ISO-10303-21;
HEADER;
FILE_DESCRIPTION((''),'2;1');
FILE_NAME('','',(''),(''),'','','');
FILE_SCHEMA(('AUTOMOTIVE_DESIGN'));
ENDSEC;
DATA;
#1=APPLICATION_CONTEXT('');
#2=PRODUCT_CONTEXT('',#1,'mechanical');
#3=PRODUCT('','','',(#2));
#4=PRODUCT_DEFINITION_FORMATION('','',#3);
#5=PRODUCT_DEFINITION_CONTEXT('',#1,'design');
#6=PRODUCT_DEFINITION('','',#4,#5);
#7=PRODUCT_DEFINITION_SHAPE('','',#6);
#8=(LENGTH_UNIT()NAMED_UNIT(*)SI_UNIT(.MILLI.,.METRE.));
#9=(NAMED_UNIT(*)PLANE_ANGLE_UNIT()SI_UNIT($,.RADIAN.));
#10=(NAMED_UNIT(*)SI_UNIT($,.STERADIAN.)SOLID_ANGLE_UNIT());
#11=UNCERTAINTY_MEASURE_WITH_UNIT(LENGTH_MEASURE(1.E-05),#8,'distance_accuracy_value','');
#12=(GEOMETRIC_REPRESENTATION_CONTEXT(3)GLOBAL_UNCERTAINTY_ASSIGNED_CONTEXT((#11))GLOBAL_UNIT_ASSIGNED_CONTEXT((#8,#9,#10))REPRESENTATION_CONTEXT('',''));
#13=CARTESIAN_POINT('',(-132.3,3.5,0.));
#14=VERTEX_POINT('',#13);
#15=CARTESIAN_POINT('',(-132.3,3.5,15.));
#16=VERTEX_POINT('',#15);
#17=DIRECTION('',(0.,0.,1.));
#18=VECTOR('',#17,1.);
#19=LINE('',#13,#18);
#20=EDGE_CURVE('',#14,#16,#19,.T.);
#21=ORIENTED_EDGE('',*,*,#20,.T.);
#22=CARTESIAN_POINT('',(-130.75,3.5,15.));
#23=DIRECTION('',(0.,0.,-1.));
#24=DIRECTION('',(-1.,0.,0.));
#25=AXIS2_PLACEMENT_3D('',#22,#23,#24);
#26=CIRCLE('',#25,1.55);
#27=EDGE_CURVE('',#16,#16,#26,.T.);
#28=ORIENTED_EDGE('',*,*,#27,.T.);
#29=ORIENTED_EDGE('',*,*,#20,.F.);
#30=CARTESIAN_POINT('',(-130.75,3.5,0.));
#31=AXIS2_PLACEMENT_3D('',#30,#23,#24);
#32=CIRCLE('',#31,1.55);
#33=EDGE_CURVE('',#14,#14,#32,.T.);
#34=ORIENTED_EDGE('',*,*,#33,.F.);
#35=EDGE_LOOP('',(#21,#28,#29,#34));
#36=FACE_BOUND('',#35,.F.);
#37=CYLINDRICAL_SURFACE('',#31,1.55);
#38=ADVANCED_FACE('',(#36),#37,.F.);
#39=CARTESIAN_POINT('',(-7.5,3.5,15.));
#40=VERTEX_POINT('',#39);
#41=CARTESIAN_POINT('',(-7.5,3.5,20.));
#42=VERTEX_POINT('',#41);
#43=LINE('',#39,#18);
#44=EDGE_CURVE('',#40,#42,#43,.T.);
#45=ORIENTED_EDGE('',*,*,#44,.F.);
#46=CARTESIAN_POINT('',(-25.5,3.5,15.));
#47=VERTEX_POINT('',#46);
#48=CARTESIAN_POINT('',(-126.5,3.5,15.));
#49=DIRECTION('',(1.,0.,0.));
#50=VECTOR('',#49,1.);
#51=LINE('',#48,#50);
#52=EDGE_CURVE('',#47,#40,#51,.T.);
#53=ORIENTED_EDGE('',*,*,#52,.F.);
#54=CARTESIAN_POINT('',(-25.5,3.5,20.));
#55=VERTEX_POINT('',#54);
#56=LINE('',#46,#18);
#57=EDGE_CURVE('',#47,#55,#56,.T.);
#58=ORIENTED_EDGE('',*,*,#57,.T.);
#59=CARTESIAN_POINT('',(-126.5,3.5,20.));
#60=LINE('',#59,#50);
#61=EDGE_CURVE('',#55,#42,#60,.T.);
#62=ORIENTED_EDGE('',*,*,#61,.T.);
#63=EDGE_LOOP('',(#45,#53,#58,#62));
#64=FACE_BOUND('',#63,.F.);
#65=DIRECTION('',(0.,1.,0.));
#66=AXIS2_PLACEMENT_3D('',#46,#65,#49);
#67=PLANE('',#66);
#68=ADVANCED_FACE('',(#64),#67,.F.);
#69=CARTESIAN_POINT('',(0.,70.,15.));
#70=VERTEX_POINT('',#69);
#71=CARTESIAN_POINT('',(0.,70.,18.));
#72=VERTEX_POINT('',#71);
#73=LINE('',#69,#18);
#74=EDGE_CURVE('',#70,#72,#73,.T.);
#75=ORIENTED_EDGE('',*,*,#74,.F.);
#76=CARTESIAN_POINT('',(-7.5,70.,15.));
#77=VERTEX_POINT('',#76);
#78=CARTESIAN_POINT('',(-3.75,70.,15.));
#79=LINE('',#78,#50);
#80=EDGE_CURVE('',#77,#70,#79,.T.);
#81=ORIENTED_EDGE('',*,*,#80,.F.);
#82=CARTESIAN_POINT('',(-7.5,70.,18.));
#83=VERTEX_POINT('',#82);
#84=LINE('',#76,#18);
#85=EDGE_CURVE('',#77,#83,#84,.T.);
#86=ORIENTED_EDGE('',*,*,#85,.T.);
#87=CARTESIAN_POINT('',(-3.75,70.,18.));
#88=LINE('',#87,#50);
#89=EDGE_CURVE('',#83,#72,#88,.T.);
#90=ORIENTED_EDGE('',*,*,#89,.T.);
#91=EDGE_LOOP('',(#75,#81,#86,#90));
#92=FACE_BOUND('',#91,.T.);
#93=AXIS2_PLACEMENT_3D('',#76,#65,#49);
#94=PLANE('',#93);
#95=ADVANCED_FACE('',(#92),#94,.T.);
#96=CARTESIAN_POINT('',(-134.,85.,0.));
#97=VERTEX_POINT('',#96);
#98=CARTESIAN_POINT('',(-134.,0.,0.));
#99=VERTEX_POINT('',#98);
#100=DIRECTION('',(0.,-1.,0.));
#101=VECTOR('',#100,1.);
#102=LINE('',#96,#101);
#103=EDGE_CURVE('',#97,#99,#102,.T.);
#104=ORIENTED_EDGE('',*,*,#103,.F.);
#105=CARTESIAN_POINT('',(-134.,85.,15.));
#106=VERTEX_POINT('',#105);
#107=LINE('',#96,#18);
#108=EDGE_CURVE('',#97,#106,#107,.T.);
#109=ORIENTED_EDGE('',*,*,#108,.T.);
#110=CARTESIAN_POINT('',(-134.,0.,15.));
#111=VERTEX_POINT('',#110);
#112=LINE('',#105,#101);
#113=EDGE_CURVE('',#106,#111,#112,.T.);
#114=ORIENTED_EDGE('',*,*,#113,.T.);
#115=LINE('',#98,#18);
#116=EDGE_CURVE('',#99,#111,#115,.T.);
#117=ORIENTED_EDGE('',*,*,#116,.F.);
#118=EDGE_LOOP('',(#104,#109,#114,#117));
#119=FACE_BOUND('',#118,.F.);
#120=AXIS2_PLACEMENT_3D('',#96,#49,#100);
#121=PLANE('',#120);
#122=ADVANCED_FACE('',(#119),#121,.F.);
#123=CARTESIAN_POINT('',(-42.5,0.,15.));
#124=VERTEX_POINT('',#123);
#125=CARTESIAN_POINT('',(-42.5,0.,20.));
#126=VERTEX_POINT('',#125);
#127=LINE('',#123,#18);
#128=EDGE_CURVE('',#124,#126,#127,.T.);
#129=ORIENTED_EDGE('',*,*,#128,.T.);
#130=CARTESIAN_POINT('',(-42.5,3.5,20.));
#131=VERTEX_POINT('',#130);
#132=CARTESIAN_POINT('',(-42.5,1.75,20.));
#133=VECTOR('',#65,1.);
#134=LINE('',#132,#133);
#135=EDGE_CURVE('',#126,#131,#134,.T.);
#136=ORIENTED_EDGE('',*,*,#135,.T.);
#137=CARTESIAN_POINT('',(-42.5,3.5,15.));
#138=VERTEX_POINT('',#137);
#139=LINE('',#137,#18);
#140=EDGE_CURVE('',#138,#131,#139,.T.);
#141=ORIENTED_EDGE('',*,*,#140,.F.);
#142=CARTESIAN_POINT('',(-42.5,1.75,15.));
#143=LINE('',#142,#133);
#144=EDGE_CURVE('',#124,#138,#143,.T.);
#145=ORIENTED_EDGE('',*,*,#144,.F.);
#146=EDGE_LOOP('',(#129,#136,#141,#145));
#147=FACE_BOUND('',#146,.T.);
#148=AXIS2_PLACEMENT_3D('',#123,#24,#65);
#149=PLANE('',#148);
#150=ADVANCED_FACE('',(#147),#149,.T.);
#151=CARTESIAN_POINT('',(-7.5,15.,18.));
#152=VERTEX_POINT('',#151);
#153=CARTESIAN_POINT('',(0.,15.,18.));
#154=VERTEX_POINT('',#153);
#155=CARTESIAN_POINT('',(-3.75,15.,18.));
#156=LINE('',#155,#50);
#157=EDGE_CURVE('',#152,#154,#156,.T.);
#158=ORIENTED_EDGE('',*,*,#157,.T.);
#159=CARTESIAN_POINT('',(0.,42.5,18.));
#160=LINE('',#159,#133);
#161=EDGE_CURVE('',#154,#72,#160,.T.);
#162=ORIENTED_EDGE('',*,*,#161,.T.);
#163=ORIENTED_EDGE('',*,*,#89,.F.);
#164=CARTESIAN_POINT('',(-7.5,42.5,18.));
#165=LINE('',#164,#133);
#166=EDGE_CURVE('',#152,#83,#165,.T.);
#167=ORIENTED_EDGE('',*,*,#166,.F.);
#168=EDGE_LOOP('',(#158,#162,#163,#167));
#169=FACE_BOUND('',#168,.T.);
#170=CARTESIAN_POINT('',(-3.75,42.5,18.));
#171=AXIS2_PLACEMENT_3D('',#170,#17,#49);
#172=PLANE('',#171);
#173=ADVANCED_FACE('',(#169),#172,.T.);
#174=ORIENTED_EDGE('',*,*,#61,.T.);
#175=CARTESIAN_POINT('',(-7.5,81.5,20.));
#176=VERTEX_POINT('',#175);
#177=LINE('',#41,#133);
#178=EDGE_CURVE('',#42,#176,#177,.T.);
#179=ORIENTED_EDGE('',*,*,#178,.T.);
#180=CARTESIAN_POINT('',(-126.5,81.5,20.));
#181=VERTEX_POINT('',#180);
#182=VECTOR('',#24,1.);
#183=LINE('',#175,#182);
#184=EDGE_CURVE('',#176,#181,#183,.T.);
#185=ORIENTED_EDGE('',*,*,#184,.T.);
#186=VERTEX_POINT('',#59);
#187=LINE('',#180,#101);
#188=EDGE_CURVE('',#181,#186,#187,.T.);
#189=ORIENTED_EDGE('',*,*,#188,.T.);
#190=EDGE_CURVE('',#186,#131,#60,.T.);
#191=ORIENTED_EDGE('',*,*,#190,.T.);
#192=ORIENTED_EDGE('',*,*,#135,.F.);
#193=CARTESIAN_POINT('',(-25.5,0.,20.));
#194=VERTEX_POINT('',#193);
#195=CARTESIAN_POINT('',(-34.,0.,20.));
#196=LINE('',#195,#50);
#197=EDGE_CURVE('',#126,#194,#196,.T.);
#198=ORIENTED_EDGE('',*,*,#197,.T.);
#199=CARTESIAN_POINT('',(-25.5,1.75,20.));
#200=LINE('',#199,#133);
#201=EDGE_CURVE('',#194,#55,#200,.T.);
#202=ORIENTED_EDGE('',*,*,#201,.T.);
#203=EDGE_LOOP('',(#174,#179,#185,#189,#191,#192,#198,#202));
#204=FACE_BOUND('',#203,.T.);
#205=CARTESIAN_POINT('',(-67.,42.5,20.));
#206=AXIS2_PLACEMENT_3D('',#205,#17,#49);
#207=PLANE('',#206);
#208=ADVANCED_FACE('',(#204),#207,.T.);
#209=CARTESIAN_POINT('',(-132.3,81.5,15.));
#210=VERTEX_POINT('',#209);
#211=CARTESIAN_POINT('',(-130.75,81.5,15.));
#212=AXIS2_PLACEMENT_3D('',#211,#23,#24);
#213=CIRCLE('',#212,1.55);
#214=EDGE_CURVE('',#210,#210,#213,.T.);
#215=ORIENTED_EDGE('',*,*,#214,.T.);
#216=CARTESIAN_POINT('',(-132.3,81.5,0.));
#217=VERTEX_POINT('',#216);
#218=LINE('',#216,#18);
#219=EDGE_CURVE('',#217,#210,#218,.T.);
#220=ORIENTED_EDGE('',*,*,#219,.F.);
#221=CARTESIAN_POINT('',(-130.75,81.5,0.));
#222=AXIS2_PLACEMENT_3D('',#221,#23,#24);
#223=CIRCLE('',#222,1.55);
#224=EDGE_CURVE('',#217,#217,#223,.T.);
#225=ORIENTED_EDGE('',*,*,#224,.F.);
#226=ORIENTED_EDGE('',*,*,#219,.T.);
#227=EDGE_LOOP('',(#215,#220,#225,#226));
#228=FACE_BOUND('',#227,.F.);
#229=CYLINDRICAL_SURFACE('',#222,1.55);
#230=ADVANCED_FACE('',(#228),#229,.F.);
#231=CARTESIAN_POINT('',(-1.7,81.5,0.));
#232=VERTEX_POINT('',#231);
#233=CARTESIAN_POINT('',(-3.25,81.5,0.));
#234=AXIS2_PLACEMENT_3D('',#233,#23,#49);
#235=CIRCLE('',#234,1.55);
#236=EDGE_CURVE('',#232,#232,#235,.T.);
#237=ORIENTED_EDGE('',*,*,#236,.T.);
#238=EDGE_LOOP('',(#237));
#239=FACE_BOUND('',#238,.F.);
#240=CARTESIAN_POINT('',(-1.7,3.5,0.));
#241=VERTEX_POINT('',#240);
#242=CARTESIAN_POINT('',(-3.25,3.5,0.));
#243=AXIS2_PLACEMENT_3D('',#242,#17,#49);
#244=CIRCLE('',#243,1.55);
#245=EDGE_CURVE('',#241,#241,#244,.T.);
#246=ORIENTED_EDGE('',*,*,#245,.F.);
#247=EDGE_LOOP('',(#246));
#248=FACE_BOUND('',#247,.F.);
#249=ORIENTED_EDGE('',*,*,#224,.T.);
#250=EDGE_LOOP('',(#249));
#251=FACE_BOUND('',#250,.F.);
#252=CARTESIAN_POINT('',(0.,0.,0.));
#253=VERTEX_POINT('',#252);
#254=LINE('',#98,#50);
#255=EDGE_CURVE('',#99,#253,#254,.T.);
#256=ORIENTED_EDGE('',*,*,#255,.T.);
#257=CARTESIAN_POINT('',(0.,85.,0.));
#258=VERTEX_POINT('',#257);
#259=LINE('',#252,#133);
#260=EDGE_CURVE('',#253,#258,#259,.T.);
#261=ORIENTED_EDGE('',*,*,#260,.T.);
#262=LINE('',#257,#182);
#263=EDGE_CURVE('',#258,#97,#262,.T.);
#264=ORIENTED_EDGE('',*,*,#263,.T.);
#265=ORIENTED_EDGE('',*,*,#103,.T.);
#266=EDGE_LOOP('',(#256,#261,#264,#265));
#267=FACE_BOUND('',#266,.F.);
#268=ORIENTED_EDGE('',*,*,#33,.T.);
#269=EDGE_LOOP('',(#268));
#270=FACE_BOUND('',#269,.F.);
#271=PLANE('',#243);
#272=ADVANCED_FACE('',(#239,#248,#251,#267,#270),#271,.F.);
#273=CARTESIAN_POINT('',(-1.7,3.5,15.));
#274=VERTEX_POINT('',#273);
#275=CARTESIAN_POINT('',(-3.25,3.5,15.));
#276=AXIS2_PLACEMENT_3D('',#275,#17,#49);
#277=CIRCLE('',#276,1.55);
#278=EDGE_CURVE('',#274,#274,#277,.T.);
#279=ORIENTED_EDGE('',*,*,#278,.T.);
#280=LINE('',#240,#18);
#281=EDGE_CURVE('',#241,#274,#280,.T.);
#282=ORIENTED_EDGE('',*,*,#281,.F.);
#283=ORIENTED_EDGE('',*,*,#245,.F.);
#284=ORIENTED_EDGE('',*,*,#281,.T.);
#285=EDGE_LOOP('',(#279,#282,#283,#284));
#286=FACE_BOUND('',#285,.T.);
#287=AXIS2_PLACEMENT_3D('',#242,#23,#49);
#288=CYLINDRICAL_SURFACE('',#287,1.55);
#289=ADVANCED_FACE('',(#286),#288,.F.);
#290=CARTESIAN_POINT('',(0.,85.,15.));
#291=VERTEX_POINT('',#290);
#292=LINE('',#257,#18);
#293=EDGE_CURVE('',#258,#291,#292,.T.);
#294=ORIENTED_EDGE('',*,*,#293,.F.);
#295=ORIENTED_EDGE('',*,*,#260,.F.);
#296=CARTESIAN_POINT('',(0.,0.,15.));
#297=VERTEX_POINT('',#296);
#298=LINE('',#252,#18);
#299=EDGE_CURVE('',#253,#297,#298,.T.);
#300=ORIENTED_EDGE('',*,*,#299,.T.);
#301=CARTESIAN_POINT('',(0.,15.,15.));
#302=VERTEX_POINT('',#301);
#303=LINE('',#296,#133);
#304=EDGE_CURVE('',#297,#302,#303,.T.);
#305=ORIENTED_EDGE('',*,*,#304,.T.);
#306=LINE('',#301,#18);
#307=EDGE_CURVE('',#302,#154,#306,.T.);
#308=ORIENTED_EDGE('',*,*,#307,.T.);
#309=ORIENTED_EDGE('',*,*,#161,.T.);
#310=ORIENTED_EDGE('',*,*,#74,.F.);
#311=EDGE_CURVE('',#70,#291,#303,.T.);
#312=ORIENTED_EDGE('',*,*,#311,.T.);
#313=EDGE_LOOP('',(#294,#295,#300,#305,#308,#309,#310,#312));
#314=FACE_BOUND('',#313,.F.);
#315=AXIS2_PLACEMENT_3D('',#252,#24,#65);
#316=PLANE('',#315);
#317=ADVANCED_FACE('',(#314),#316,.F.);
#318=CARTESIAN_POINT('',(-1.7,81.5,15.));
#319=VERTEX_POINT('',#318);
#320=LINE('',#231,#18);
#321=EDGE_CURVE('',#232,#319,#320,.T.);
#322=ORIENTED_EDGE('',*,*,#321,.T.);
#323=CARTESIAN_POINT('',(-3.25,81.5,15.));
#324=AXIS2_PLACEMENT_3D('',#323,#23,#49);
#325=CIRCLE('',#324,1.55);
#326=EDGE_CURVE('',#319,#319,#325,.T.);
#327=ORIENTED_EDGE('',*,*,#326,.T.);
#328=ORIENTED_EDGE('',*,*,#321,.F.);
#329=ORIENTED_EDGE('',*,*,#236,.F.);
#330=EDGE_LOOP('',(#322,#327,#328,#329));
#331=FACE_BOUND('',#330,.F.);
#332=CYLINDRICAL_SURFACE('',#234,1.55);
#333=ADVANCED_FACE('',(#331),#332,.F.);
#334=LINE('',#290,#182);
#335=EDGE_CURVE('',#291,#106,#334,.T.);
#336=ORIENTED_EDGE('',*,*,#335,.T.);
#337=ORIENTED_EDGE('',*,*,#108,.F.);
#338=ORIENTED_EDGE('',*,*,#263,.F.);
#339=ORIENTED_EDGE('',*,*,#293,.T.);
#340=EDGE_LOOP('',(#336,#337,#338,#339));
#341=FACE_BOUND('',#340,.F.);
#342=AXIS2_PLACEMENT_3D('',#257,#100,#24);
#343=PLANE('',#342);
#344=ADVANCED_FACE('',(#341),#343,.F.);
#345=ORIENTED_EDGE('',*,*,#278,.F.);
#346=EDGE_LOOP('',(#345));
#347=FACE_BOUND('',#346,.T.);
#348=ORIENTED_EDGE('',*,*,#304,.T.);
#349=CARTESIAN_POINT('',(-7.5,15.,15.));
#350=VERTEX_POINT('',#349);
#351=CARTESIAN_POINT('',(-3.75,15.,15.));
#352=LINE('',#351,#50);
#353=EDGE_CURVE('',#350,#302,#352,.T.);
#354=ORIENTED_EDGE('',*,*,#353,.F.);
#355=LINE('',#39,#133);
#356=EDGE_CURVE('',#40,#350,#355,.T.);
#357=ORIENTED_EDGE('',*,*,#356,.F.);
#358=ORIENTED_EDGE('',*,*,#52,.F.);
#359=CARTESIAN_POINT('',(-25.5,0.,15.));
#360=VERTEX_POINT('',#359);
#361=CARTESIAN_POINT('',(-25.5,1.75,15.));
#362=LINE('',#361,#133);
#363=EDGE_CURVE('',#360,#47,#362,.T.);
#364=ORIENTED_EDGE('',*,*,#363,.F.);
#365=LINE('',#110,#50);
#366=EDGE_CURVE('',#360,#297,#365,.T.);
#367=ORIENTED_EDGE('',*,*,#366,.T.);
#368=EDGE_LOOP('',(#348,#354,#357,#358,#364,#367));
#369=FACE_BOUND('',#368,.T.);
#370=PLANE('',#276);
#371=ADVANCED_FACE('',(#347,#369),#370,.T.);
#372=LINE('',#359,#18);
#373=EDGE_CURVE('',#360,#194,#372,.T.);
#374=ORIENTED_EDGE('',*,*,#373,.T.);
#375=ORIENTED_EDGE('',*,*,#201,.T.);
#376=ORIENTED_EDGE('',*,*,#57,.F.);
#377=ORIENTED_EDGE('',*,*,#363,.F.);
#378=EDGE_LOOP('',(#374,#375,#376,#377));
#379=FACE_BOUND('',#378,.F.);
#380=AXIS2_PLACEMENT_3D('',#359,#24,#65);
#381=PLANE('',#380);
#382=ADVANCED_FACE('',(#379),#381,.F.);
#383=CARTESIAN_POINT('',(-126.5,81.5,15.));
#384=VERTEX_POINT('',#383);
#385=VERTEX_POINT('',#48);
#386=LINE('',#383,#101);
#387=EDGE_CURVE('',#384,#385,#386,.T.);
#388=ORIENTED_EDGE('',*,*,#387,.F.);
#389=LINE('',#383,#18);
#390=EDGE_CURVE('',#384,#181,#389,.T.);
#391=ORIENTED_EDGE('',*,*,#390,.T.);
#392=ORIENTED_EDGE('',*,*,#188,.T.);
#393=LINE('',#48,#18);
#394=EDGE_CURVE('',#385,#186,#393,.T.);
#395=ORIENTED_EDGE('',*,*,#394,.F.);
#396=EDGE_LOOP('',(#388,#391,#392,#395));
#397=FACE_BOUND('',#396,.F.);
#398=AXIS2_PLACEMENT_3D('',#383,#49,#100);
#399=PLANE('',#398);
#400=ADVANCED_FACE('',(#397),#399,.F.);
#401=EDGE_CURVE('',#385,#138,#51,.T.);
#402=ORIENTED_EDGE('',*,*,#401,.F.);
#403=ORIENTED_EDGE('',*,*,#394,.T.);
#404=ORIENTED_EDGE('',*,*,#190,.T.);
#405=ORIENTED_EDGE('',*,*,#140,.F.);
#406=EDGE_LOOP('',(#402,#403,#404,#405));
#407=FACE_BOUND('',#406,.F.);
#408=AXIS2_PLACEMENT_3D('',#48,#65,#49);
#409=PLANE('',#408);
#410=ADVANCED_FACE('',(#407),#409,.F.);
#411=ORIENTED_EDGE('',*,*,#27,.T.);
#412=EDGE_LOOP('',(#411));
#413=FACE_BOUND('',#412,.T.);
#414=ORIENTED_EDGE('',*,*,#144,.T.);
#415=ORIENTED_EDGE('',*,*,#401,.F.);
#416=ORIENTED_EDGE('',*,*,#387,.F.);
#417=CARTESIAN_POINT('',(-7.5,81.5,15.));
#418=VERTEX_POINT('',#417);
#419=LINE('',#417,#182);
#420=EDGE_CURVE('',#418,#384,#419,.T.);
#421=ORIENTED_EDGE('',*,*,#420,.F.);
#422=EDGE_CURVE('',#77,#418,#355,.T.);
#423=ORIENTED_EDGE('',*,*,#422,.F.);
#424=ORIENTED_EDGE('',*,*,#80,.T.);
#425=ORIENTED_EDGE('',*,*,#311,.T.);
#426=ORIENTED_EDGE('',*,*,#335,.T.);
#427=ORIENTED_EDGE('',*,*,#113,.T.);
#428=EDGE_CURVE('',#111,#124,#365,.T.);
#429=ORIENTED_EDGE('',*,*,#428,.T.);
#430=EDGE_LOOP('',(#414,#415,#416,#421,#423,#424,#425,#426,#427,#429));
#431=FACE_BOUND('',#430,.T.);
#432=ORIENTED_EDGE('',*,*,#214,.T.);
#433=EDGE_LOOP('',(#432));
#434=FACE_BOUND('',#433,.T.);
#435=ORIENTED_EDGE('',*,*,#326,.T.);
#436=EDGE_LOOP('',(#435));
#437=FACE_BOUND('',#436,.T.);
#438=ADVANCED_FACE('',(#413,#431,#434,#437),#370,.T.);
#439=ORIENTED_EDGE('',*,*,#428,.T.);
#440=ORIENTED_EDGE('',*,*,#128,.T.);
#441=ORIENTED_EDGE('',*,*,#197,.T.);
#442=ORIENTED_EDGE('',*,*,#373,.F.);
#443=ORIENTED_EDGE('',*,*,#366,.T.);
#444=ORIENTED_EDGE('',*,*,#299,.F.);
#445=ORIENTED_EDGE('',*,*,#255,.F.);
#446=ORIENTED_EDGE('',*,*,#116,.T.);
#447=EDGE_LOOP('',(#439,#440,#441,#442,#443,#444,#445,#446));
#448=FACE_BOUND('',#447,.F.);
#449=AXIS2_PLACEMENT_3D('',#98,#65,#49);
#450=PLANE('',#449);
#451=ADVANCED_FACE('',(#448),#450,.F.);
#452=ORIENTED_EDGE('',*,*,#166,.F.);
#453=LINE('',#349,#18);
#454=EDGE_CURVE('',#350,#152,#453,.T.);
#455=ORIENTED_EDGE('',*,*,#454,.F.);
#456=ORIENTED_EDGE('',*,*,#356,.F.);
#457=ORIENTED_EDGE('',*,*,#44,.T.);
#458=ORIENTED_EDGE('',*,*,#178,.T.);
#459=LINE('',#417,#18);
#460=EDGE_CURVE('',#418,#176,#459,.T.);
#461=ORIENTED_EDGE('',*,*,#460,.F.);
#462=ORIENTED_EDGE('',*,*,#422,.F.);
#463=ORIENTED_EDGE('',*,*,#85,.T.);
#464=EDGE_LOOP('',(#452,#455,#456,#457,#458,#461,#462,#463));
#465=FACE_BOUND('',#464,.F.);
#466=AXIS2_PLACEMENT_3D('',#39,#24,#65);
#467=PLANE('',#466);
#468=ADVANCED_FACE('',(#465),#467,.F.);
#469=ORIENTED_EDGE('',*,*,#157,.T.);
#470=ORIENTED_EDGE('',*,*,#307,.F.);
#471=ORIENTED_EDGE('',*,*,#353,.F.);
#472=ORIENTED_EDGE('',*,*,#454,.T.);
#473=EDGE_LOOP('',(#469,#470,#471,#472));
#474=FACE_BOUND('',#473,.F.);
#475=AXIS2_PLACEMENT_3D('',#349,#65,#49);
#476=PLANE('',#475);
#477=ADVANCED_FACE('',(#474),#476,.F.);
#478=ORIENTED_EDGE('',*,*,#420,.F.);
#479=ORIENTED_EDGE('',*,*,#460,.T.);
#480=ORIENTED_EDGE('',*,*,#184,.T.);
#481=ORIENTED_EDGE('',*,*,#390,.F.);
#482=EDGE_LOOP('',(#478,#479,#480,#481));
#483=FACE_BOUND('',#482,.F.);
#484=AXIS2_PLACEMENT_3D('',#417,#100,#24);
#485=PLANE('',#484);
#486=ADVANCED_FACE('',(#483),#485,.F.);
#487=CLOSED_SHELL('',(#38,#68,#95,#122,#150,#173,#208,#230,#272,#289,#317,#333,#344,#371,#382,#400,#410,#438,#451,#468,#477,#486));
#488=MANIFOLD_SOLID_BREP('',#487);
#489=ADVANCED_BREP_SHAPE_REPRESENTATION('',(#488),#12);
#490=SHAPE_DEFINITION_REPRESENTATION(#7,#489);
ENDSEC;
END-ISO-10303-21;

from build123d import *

# Parameters (mm, degrees)
F0_R     = 1.55
F1_DEPTH = 15
F2_W     = 17
F2_H     = 3.5
F3_DEPTH = 5
F4_W     = 7.5
F4_H     = 55
F5_DEPTH = 3


with BuildPart() as f1:
    # F0 (on Top) → F1 (new body)
    with BuildSketch(Plane.XY):
        with Locations((-3.25, 3.5)):
            Circle(F0_R)
        with BuildLine():
            ThreePointArc((-129.2, 81.5), (-130.75, 83.05), (-132.3, 81.5))
            ThreePointArc((-132.3, 81.5), (-130.75, 79.95), (-129.2, 81.5))
        make_face()
        with BuildLine():
            ThreePointArc((-129.2, 3.5), (-130.75, 5.05), (-132.3, 3.5))
            ThreePointArc((-132.3, 3.5), (-130.75, 1.95), (-129.2, 3.5))
        make_face()
        Polygon((-134, 0), (0, 0), (0, 3.5), (0, 81.5), (0, 85), (-134, 85), (-134, 81.5), (-134, 3.5), align=None)
        with BuildLine():
            ThreePointArc((-129.2, 3.5), (-130.75, 1.95), (-132.3, 3.5))
            ThreePointArc((-132.3, 3.5), (-130.75, 5.05), (-129.2, 3.5))
        make_face(mode=Mode.SUBTRACT)
        with Locations((-3.25, 3.5)):
            Circle(F0_R, mode=Mode.SUBTRACT)
        with BuildLine():
            ThreePointArc((-129.2, 81.5), (-130.75, 79.95), (-132.3, 81.5))
            ThreePointArc((-132.3, 81.5), (-130.75, 83.05), (-129.2, 81.5))
        make_face(mode=Mode.SUBTRACT)
        with BuildLine():
            ThreePointArc((-4.8, 81.5), (-3.25, 83.05), (-1.7, 81.5))
            ThreePointArc((-1.7, 81.5), (-3.25, 79.95), (-4.8, 81.5))
        make_face(mode=Mode.SUBTRACT)
    extrude(amount=F1_DEPTH)

    # F2 (on face) → F3 (join)
    with BuildSketch(Plane.XY.offset(15)):
        Polygon((-7.5, 3.5), (-7.5, 81.5), (-126.5, 81.5), (-126.5, 3.5), (-42.5, 3.5), (-25.5, 3.5), align=None)
        with Locations((-34, 1.75)):
            Rectangle(F2_W, F2_H)
    extrude(amount=F3_DEPTH)

    # F4 (on face) → F5 (join)
    with BuildSketch(Plane.XY.offset(15)):
        with Locations((-3.75, 42.5)):
            Rectangle(F4_W, F4_H)
    extrude(amount=F5_DEPTH)


solid = f1.part
